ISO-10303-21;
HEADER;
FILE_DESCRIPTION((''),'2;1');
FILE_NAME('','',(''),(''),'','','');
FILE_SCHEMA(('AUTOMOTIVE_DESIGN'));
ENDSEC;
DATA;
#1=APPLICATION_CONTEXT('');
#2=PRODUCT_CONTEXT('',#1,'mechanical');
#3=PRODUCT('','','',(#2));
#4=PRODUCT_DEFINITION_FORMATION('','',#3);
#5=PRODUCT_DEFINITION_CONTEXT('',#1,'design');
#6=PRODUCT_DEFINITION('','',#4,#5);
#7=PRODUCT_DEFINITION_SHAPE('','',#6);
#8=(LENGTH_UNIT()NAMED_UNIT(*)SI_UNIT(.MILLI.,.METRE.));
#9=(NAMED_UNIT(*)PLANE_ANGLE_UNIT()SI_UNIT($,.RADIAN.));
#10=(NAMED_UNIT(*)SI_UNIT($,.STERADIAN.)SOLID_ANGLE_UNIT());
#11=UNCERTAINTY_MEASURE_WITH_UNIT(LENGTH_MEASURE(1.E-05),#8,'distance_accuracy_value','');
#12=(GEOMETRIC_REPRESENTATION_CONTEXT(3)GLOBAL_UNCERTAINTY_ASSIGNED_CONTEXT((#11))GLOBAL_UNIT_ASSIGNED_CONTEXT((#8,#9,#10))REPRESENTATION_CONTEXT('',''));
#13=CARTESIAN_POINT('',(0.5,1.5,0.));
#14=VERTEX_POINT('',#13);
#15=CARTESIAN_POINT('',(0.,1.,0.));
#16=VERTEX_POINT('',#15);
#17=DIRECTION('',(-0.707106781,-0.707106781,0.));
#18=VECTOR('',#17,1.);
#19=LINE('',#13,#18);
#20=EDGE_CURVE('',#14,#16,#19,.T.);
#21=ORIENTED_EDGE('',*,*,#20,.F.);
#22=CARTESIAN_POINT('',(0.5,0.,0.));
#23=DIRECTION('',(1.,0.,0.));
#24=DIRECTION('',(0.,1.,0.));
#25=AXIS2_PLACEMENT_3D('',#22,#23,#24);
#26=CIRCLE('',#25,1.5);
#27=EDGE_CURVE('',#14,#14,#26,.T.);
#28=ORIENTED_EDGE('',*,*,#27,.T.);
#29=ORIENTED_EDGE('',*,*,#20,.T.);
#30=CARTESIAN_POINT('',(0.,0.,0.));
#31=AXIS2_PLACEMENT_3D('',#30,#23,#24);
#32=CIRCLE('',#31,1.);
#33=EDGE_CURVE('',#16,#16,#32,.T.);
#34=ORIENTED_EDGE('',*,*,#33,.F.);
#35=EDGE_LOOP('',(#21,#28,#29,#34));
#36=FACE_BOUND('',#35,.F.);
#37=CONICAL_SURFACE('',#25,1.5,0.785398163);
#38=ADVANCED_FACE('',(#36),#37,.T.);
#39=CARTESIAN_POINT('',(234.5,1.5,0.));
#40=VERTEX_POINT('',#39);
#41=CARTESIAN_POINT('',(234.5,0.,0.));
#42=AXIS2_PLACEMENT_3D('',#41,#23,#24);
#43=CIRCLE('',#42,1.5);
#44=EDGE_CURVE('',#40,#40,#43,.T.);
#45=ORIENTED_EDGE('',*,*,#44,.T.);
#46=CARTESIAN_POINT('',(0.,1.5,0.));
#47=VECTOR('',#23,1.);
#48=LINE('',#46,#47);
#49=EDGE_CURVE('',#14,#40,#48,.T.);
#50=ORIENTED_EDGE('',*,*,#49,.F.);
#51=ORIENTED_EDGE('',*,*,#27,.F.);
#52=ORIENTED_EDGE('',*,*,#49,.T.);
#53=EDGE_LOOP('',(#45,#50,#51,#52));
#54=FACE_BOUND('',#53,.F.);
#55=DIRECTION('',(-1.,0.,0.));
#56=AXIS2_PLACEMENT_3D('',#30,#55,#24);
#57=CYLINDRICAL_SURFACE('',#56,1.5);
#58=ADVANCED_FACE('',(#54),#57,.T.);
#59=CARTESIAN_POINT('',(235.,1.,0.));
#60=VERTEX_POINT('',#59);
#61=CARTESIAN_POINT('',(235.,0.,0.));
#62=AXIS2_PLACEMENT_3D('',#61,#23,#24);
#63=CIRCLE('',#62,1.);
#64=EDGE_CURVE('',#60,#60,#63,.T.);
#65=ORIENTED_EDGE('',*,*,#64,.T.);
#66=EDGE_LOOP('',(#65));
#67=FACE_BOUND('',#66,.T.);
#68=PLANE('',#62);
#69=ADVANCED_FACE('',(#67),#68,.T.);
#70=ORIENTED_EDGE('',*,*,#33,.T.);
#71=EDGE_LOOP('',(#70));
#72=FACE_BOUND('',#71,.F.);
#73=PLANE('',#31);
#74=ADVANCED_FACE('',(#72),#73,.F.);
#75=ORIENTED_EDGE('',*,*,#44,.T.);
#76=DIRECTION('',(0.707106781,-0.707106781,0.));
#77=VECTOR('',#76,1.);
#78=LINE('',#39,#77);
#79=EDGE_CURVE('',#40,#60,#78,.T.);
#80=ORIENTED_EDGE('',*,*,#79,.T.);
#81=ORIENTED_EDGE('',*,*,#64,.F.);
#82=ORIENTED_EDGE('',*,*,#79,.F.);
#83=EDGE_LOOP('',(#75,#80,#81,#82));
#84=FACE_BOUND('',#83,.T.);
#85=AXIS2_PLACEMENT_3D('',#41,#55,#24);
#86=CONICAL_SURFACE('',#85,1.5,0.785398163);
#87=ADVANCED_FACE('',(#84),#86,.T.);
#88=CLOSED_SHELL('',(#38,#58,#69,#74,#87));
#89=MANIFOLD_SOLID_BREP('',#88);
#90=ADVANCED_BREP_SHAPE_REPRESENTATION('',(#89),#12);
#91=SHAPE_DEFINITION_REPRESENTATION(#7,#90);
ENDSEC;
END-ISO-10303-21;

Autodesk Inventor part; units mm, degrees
ref_plane "YZ Plane" through (0, 0, 0) normal (1, 0, 0) x (0, 1, 0)
ref_plane "XZ Plane" through (0, 0, 0) normal (0, 1, 0) x (-1, 0, 0)
ref_plane "XY Plane" through (0, 0, 0) normal (0, 0, 1) x (1, 0, 0)
sketch "Skizze1" plane through (0, 0, 0) normal (1, 0, 0) x (0, 1, 0)
  circle A0 centre (0, 0) radius 1.5
  dimension "d0" = 3
extrude "Extrusion1" add sketch "Skizze1" along normal blind 235
chamfer "Fase1" distance 0.5 angle 45 2 edges at (0, -1.5, 0) (235, -1.5, 0)
properties part number "RodAxis"
